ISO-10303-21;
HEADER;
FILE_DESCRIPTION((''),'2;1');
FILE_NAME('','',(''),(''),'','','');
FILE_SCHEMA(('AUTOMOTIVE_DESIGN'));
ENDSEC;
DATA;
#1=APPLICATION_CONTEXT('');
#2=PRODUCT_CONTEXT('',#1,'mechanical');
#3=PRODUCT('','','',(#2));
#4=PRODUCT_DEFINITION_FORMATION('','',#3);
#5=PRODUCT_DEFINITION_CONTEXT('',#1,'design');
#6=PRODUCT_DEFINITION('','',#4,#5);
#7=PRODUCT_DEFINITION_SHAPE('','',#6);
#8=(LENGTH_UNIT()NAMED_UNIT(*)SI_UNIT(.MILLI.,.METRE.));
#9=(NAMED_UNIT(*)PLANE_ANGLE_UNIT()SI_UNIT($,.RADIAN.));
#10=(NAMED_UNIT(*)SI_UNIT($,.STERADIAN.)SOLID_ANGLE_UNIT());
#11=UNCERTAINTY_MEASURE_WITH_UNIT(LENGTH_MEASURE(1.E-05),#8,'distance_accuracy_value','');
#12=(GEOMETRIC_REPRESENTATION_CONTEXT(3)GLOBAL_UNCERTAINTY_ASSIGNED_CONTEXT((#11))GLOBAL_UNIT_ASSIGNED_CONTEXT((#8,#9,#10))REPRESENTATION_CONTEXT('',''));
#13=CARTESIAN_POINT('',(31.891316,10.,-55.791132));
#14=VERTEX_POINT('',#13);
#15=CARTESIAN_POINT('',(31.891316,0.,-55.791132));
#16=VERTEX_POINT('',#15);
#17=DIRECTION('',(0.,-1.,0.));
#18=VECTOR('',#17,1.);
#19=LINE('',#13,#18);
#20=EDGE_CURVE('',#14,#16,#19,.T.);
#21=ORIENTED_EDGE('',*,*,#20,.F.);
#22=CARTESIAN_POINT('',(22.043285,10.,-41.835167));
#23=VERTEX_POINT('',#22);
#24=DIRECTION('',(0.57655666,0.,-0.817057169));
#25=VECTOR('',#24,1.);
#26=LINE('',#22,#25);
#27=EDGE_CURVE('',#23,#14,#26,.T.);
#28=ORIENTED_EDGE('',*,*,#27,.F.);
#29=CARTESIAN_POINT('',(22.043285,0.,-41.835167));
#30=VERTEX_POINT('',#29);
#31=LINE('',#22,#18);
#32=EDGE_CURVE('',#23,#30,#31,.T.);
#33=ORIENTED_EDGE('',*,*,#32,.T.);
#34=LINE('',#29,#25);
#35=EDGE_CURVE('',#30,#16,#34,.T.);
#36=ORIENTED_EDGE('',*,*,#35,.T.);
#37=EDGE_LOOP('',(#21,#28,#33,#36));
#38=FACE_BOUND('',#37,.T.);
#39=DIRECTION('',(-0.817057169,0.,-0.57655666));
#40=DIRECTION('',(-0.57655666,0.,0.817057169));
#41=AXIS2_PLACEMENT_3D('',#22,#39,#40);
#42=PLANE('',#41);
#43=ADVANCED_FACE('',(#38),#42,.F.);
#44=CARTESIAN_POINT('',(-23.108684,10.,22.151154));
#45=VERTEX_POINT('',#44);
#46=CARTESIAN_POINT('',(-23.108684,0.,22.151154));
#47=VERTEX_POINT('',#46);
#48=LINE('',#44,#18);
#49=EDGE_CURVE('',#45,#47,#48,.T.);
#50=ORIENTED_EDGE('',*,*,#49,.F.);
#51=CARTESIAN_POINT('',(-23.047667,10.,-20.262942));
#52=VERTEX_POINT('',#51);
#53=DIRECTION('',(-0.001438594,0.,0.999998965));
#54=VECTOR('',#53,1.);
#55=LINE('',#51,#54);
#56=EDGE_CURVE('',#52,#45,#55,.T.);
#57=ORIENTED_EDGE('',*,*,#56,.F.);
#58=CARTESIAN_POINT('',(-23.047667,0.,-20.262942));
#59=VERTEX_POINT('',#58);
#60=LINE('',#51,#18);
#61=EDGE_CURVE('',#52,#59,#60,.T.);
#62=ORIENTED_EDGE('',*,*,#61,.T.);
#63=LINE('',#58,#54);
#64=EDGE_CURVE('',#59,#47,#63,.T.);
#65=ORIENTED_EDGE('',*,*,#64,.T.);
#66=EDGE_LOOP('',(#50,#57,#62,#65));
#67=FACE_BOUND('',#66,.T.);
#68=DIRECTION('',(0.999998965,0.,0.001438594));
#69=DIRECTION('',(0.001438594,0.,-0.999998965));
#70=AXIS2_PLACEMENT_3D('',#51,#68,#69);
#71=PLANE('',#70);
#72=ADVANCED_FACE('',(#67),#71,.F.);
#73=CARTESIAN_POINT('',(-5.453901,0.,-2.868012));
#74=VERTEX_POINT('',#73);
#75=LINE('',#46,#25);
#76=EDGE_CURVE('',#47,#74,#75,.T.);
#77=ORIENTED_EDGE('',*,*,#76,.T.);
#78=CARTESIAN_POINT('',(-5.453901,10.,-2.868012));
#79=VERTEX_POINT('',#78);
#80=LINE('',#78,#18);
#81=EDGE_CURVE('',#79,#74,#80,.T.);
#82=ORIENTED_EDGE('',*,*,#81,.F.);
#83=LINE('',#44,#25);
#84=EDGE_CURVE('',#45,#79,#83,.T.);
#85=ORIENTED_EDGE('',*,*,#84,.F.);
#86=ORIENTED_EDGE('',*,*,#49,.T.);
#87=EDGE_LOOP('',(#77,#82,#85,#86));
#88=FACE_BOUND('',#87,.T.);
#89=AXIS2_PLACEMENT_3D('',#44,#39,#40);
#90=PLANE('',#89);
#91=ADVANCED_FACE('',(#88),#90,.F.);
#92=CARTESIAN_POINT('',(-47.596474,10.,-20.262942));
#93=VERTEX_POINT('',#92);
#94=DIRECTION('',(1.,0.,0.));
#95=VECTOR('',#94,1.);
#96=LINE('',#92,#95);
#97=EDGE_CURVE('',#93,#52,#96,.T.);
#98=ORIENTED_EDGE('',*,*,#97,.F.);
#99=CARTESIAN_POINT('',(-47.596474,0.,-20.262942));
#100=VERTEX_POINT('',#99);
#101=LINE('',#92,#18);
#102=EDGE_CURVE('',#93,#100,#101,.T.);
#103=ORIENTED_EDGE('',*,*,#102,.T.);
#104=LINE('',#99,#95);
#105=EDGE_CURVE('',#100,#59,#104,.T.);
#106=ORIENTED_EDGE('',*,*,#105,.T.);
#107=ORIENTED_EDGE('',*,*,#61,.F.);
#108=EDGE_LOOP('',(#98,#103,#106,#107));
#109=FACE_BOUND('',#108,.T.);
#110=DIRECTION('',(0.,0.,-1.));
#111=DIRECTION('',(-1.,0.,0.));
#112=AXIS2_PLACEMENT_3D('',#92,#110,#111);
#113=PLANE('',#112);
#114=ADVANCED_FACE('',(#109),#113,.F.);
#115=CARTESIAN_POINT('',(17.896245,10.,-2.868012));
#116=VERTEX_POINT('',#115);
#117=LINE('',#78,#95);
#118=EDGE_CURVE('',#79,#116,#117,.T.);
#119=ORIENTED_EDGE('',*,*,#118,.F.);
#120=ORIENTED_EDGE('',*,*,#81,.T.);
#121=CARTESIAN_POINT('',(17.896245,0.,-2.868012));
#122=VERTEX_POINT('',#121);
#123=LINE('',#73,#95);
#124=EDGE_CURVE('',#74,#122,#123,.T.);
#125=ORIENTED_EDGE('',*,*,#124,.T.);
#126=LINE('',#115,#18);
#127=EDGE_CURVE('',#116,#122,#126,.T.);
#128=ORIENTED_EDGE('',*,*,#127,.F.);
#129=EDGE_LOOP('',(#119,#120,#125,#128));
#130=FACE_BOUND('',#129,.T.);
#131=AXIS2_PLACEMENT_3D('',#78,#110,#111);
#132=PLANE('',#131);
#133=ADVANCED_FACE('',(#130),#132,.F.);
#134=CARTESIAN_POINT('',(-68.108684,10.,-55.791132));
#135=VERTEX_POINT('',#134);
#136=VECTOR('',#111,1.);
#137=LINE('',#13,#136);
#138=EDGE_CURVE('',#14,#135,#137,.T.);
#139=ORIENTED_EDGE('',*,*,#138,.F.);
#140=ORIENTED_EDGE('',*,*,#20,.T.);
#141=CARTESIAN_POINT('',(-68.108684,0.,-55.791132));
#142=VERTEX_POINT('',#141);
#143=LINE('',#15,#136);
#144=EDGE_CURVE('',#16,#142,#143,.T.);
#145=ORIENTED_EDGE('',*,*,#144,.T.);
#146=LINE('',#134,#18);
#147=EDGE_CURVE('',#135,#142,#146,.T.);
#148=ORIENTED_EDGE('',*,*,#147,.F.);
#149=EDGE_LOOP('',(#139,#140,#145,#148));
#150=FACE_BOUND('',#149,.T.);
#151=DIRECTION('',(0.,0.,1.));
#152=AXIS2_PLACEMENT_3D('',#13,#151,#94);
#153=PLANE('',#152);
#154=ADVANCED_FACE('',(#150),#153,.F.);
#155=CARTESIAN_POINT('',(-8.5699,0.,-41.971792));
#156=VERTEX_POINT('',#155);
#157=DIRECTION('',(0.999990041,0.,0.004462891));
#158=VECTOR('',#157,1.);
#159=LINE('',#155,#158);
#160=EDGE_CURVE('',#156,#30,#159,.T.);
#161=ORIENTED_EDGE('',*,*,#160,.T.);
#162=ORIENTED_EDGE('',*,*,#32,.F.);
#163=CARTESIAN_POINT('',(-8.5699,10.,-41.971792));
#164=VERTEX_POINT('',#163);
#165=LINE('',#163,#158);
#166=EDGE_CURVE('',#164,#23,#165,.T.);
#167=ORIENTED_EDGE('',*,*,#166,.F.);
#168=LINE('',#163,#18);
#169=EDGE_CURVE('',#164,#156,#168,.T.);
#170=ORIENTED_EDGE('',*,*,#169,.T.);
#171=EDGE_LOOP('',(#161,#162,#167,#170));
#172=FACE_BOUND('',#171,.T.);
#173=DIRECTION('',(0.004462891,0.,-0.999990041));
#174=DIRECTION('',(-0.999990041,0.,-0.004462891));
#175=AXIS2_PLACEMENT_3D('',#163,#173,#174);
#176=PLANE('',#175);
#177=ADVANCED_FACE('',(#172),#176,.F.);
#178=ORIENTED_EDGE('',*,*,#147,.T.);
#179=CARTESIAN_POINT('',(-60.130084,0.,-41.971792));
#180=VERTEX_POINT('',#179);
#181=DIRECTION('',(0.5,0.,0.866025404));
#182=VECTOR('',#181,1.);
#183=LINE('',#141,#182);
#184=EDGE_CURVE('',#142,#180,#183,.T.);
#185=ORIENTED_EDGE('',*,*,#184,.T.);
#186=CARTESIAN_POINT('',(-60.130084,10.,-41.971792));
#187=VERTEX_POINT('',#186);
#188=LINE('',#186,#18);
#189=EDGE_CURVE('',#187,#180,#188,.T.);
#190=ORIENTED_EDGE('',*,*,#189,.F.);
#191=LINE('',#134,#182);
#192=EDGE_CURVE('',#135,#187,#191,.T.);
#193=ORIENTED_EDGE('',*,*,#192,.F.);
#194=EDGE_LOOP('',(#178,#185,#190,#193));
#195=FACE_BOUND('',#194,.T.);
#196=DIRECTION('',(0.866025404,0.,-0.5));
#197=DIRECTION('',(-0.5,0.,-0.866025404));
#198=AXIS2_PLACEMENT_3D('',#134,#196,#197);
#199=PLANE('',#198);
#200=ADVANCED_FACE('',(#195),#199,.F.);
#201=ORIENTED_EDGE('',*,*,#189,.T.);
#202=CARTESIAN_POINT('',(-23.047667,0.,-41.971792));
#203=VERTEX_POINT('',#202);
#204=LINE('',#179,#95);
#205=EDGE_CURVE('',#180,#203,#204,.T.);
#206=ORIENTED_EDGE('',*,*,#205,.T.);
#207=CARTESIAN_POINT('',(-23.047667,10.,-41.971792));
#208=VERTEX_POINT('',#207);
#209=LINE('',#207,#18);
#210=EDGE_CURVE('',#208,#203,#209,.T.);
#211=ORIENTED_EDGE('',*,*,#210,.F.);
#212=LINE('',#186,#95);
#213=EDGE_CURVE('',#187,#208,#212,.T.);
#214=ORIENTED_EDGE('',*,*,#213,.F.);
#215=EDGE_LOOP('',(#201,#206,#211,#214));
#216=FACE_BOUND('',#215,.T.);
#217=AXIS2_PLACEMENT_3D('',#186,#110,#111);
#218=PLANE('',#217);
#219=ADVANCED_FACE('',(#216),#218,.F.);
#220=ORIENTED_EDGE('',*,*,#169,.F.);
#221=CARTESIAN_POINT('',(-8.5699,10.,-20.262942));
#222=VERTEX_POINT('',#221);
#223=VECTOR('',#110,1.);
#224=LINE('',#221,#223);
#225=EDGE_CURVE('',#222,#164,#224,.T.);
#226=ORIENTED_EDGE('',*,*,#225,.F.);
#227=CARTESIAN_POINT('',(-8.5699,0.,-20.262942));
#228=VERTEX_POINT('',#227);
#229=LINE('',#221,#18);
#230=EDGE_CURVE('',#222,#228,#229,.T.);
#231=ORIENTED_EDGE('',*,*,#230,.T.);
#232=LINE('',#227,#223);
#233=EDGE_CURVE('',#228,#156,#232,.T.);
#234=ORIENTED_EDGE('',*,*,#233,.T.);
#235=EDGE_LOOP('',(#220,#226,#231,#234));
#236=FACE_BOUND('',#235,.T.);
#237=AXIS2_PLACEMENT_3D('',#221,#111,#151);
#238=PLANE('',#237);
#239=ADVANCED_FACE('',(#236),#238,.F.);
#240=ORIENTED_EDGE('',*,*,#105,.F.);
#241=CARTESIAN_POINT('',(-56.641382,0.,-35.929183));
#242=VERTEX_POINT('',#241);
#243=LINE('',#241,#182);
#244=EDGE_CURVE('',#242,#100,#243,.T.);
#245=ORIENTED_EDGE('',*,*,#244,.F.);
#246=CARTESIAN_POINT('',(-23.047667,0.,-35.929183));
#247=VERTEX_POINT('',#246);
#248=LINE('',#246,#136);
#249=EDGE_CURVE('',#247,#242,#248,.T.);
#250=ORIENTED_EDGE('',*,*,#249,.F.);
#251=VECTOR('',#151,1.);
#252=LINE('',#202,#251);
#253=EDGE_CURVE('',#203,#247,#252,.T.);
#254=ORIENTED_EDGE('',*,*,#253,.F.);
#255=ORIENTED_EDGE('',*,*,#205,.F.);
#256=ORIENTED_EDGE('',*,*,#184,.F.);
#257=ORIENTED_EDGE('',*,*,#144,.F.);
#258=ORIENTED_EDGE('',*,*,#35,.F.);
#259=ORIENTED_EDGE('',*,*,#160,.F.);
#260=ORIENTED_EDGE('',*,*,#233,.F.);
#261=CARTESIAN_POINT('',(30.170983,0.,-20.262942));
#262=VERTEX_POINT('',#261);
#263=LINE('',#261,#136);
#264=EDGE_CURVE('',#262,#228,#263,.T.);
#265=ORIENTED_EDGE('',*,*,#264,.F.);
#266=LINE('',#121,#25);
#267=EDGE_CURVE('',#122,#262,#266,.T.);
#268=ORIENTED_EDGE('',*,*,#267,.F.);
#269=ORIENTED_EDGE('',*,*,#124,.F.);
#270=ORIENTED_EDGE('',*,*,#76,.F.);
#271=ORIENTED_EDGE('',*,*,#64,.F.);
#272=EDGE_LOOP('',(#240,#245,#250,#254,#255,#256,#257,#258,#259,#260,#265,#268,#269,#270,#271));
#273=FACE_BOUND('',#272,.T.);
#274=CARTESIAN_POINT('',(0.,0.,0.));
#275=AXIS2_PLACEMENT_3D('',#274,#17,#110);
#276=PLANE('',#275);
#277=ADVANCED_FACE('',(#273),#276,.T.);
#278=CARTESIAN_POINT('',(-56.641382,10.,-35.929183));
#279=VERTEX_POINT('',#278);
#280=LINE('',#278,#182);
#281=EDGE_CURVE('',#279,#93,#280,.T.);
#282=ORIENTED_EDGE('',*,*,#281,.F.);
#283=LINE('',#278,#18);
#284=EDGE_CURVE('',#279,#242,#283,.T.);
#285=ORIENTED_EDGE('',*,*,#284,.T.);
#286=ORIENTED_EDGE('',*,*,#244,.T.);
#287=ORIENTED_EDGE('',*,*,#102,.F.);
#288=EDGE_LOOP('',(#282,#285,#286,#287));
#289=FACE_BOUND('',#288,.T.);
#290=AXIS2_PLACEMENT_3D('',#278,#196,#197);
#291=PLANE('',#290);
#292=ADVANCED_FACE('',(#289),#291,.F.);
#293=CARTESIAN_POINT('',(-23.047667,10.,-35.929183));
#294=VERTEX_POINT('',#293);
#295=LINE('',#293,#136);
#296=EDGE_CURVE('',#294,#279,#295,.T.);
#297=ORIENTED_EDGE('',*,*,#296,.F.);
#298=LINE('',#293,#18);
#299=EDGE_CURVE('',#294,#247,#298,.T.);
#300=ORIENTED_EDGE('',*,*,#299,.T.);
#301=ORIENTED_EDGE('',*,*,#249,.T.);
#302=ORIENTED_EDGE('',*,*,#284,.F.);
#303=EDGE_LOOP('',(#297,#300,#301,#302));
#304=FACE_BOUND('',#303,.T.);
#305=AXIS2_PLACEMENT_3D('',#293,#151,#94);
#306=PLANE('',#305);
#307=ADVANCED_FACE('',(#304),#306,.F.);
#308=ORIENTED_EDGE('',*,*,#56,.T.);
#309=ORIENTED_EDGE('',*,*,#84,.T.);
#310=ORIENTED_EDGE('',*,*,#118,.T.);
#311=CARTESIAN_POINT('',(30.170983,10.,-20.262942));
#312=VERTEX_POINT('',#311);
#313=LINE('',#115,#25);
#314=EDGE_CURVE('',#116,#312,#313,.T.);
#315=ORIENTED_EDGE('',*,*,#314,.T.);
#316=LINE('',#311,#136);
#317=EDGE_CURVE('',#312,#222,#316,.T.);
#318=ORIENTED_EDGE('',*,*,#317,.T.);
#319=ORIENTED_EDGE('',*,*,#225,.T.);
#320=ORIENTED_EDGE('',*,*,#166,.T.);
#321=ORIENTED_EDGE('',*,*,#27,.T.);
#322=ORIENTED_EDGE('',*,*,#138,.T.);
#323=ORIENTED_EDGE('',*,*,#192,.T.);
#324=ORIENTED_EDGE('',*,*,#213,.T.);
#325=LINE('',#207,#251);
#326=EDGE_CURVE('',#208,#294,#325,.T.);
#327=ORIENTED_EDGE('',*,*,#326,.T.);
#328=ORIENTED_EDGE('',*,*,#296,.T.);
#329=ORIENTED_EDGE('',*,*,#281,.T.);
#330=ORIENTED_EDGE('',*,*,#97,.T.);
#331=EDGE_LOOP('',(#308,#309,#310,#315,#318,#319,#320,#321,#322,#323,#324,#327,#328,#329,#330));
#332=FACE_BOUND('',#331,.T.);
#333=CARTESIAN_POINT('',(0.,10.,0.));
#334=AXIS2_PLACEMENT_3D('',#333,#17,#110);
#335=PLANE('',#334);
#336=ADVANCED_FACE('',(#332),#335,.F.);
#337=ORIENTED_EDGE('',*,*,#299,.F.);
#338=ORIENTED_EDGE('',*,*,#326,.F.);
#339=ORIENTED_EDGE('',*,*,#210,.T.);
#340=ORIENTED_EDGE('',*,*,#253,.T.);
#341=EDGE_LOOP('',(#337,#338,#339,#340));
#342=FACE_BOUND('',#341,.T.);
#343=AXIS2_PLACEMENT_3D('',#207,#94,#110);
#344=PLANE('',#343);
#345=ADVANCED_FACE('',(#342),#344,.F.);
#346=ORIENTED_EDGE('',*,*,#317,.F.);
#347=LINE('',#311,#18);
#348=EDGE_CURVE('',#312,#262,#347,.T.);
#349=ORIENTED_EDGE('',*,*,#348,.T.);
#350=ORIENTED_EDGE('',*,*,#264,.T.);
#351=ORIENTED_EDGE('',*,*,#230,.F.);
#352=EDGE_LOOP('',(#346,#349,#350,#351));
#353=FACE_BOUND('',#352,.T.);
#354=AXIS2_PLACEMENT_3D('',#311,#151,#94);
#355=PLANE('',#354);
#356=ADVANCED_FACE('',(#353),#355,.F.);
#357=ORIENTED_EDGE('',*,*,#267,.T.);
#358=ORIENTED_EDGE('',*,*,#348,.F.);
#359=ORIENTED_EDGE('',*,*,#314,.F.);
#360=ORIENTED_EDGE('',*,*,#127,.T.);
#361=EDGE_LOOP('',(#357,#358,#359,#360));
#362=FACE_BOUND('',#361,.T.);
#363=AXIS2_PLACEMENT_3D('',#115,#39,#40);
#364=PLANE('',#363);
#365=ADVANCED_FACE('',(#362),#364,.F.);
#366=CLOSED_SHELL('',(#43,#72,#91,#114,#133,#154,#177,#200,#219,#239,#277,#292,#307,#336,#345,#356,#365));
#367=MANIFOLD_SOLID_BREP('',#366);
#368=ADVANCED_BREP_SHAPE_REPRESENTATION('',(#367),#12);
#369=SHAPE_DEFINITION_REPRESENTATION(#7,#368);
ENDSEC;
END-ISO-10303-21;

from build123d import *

# Parameters (mm, degrees)
EXTRUDE_3_DEPTH = 10


with BuildPart() as part:
    # 草图5 → 凸台-拉伸3 (new body)
    with BuildSketch(Plane(origin=(0, 0, 0), x_dir=(1, 0, 0), z_dir=(0, 1, 0))):
        Polygon((-56.641382098, 35.929183114), (-47.596473621, 20.262942082), (-23.047667144, 20.262942082), (-23.108683854, -22.151153959), (-5.453900892, 2.868012385), (17.896245496, 2.868012385), (30.17098336, 20.262942082), (-8.56989957, 20.262942082), (-8.56989957, 41.971791749), (22.043284645, 41.835167088), (31.891316146, 55.791132381), (-68.108683854, 55.791132381), (-60.13008382, 41.971791749), (-23.047667144, 41.971791749), (-23.047667144, 35.929183114), align=None)
    extrude(amount=EXTRUDE_3_DEPTH)


solid = part.part
